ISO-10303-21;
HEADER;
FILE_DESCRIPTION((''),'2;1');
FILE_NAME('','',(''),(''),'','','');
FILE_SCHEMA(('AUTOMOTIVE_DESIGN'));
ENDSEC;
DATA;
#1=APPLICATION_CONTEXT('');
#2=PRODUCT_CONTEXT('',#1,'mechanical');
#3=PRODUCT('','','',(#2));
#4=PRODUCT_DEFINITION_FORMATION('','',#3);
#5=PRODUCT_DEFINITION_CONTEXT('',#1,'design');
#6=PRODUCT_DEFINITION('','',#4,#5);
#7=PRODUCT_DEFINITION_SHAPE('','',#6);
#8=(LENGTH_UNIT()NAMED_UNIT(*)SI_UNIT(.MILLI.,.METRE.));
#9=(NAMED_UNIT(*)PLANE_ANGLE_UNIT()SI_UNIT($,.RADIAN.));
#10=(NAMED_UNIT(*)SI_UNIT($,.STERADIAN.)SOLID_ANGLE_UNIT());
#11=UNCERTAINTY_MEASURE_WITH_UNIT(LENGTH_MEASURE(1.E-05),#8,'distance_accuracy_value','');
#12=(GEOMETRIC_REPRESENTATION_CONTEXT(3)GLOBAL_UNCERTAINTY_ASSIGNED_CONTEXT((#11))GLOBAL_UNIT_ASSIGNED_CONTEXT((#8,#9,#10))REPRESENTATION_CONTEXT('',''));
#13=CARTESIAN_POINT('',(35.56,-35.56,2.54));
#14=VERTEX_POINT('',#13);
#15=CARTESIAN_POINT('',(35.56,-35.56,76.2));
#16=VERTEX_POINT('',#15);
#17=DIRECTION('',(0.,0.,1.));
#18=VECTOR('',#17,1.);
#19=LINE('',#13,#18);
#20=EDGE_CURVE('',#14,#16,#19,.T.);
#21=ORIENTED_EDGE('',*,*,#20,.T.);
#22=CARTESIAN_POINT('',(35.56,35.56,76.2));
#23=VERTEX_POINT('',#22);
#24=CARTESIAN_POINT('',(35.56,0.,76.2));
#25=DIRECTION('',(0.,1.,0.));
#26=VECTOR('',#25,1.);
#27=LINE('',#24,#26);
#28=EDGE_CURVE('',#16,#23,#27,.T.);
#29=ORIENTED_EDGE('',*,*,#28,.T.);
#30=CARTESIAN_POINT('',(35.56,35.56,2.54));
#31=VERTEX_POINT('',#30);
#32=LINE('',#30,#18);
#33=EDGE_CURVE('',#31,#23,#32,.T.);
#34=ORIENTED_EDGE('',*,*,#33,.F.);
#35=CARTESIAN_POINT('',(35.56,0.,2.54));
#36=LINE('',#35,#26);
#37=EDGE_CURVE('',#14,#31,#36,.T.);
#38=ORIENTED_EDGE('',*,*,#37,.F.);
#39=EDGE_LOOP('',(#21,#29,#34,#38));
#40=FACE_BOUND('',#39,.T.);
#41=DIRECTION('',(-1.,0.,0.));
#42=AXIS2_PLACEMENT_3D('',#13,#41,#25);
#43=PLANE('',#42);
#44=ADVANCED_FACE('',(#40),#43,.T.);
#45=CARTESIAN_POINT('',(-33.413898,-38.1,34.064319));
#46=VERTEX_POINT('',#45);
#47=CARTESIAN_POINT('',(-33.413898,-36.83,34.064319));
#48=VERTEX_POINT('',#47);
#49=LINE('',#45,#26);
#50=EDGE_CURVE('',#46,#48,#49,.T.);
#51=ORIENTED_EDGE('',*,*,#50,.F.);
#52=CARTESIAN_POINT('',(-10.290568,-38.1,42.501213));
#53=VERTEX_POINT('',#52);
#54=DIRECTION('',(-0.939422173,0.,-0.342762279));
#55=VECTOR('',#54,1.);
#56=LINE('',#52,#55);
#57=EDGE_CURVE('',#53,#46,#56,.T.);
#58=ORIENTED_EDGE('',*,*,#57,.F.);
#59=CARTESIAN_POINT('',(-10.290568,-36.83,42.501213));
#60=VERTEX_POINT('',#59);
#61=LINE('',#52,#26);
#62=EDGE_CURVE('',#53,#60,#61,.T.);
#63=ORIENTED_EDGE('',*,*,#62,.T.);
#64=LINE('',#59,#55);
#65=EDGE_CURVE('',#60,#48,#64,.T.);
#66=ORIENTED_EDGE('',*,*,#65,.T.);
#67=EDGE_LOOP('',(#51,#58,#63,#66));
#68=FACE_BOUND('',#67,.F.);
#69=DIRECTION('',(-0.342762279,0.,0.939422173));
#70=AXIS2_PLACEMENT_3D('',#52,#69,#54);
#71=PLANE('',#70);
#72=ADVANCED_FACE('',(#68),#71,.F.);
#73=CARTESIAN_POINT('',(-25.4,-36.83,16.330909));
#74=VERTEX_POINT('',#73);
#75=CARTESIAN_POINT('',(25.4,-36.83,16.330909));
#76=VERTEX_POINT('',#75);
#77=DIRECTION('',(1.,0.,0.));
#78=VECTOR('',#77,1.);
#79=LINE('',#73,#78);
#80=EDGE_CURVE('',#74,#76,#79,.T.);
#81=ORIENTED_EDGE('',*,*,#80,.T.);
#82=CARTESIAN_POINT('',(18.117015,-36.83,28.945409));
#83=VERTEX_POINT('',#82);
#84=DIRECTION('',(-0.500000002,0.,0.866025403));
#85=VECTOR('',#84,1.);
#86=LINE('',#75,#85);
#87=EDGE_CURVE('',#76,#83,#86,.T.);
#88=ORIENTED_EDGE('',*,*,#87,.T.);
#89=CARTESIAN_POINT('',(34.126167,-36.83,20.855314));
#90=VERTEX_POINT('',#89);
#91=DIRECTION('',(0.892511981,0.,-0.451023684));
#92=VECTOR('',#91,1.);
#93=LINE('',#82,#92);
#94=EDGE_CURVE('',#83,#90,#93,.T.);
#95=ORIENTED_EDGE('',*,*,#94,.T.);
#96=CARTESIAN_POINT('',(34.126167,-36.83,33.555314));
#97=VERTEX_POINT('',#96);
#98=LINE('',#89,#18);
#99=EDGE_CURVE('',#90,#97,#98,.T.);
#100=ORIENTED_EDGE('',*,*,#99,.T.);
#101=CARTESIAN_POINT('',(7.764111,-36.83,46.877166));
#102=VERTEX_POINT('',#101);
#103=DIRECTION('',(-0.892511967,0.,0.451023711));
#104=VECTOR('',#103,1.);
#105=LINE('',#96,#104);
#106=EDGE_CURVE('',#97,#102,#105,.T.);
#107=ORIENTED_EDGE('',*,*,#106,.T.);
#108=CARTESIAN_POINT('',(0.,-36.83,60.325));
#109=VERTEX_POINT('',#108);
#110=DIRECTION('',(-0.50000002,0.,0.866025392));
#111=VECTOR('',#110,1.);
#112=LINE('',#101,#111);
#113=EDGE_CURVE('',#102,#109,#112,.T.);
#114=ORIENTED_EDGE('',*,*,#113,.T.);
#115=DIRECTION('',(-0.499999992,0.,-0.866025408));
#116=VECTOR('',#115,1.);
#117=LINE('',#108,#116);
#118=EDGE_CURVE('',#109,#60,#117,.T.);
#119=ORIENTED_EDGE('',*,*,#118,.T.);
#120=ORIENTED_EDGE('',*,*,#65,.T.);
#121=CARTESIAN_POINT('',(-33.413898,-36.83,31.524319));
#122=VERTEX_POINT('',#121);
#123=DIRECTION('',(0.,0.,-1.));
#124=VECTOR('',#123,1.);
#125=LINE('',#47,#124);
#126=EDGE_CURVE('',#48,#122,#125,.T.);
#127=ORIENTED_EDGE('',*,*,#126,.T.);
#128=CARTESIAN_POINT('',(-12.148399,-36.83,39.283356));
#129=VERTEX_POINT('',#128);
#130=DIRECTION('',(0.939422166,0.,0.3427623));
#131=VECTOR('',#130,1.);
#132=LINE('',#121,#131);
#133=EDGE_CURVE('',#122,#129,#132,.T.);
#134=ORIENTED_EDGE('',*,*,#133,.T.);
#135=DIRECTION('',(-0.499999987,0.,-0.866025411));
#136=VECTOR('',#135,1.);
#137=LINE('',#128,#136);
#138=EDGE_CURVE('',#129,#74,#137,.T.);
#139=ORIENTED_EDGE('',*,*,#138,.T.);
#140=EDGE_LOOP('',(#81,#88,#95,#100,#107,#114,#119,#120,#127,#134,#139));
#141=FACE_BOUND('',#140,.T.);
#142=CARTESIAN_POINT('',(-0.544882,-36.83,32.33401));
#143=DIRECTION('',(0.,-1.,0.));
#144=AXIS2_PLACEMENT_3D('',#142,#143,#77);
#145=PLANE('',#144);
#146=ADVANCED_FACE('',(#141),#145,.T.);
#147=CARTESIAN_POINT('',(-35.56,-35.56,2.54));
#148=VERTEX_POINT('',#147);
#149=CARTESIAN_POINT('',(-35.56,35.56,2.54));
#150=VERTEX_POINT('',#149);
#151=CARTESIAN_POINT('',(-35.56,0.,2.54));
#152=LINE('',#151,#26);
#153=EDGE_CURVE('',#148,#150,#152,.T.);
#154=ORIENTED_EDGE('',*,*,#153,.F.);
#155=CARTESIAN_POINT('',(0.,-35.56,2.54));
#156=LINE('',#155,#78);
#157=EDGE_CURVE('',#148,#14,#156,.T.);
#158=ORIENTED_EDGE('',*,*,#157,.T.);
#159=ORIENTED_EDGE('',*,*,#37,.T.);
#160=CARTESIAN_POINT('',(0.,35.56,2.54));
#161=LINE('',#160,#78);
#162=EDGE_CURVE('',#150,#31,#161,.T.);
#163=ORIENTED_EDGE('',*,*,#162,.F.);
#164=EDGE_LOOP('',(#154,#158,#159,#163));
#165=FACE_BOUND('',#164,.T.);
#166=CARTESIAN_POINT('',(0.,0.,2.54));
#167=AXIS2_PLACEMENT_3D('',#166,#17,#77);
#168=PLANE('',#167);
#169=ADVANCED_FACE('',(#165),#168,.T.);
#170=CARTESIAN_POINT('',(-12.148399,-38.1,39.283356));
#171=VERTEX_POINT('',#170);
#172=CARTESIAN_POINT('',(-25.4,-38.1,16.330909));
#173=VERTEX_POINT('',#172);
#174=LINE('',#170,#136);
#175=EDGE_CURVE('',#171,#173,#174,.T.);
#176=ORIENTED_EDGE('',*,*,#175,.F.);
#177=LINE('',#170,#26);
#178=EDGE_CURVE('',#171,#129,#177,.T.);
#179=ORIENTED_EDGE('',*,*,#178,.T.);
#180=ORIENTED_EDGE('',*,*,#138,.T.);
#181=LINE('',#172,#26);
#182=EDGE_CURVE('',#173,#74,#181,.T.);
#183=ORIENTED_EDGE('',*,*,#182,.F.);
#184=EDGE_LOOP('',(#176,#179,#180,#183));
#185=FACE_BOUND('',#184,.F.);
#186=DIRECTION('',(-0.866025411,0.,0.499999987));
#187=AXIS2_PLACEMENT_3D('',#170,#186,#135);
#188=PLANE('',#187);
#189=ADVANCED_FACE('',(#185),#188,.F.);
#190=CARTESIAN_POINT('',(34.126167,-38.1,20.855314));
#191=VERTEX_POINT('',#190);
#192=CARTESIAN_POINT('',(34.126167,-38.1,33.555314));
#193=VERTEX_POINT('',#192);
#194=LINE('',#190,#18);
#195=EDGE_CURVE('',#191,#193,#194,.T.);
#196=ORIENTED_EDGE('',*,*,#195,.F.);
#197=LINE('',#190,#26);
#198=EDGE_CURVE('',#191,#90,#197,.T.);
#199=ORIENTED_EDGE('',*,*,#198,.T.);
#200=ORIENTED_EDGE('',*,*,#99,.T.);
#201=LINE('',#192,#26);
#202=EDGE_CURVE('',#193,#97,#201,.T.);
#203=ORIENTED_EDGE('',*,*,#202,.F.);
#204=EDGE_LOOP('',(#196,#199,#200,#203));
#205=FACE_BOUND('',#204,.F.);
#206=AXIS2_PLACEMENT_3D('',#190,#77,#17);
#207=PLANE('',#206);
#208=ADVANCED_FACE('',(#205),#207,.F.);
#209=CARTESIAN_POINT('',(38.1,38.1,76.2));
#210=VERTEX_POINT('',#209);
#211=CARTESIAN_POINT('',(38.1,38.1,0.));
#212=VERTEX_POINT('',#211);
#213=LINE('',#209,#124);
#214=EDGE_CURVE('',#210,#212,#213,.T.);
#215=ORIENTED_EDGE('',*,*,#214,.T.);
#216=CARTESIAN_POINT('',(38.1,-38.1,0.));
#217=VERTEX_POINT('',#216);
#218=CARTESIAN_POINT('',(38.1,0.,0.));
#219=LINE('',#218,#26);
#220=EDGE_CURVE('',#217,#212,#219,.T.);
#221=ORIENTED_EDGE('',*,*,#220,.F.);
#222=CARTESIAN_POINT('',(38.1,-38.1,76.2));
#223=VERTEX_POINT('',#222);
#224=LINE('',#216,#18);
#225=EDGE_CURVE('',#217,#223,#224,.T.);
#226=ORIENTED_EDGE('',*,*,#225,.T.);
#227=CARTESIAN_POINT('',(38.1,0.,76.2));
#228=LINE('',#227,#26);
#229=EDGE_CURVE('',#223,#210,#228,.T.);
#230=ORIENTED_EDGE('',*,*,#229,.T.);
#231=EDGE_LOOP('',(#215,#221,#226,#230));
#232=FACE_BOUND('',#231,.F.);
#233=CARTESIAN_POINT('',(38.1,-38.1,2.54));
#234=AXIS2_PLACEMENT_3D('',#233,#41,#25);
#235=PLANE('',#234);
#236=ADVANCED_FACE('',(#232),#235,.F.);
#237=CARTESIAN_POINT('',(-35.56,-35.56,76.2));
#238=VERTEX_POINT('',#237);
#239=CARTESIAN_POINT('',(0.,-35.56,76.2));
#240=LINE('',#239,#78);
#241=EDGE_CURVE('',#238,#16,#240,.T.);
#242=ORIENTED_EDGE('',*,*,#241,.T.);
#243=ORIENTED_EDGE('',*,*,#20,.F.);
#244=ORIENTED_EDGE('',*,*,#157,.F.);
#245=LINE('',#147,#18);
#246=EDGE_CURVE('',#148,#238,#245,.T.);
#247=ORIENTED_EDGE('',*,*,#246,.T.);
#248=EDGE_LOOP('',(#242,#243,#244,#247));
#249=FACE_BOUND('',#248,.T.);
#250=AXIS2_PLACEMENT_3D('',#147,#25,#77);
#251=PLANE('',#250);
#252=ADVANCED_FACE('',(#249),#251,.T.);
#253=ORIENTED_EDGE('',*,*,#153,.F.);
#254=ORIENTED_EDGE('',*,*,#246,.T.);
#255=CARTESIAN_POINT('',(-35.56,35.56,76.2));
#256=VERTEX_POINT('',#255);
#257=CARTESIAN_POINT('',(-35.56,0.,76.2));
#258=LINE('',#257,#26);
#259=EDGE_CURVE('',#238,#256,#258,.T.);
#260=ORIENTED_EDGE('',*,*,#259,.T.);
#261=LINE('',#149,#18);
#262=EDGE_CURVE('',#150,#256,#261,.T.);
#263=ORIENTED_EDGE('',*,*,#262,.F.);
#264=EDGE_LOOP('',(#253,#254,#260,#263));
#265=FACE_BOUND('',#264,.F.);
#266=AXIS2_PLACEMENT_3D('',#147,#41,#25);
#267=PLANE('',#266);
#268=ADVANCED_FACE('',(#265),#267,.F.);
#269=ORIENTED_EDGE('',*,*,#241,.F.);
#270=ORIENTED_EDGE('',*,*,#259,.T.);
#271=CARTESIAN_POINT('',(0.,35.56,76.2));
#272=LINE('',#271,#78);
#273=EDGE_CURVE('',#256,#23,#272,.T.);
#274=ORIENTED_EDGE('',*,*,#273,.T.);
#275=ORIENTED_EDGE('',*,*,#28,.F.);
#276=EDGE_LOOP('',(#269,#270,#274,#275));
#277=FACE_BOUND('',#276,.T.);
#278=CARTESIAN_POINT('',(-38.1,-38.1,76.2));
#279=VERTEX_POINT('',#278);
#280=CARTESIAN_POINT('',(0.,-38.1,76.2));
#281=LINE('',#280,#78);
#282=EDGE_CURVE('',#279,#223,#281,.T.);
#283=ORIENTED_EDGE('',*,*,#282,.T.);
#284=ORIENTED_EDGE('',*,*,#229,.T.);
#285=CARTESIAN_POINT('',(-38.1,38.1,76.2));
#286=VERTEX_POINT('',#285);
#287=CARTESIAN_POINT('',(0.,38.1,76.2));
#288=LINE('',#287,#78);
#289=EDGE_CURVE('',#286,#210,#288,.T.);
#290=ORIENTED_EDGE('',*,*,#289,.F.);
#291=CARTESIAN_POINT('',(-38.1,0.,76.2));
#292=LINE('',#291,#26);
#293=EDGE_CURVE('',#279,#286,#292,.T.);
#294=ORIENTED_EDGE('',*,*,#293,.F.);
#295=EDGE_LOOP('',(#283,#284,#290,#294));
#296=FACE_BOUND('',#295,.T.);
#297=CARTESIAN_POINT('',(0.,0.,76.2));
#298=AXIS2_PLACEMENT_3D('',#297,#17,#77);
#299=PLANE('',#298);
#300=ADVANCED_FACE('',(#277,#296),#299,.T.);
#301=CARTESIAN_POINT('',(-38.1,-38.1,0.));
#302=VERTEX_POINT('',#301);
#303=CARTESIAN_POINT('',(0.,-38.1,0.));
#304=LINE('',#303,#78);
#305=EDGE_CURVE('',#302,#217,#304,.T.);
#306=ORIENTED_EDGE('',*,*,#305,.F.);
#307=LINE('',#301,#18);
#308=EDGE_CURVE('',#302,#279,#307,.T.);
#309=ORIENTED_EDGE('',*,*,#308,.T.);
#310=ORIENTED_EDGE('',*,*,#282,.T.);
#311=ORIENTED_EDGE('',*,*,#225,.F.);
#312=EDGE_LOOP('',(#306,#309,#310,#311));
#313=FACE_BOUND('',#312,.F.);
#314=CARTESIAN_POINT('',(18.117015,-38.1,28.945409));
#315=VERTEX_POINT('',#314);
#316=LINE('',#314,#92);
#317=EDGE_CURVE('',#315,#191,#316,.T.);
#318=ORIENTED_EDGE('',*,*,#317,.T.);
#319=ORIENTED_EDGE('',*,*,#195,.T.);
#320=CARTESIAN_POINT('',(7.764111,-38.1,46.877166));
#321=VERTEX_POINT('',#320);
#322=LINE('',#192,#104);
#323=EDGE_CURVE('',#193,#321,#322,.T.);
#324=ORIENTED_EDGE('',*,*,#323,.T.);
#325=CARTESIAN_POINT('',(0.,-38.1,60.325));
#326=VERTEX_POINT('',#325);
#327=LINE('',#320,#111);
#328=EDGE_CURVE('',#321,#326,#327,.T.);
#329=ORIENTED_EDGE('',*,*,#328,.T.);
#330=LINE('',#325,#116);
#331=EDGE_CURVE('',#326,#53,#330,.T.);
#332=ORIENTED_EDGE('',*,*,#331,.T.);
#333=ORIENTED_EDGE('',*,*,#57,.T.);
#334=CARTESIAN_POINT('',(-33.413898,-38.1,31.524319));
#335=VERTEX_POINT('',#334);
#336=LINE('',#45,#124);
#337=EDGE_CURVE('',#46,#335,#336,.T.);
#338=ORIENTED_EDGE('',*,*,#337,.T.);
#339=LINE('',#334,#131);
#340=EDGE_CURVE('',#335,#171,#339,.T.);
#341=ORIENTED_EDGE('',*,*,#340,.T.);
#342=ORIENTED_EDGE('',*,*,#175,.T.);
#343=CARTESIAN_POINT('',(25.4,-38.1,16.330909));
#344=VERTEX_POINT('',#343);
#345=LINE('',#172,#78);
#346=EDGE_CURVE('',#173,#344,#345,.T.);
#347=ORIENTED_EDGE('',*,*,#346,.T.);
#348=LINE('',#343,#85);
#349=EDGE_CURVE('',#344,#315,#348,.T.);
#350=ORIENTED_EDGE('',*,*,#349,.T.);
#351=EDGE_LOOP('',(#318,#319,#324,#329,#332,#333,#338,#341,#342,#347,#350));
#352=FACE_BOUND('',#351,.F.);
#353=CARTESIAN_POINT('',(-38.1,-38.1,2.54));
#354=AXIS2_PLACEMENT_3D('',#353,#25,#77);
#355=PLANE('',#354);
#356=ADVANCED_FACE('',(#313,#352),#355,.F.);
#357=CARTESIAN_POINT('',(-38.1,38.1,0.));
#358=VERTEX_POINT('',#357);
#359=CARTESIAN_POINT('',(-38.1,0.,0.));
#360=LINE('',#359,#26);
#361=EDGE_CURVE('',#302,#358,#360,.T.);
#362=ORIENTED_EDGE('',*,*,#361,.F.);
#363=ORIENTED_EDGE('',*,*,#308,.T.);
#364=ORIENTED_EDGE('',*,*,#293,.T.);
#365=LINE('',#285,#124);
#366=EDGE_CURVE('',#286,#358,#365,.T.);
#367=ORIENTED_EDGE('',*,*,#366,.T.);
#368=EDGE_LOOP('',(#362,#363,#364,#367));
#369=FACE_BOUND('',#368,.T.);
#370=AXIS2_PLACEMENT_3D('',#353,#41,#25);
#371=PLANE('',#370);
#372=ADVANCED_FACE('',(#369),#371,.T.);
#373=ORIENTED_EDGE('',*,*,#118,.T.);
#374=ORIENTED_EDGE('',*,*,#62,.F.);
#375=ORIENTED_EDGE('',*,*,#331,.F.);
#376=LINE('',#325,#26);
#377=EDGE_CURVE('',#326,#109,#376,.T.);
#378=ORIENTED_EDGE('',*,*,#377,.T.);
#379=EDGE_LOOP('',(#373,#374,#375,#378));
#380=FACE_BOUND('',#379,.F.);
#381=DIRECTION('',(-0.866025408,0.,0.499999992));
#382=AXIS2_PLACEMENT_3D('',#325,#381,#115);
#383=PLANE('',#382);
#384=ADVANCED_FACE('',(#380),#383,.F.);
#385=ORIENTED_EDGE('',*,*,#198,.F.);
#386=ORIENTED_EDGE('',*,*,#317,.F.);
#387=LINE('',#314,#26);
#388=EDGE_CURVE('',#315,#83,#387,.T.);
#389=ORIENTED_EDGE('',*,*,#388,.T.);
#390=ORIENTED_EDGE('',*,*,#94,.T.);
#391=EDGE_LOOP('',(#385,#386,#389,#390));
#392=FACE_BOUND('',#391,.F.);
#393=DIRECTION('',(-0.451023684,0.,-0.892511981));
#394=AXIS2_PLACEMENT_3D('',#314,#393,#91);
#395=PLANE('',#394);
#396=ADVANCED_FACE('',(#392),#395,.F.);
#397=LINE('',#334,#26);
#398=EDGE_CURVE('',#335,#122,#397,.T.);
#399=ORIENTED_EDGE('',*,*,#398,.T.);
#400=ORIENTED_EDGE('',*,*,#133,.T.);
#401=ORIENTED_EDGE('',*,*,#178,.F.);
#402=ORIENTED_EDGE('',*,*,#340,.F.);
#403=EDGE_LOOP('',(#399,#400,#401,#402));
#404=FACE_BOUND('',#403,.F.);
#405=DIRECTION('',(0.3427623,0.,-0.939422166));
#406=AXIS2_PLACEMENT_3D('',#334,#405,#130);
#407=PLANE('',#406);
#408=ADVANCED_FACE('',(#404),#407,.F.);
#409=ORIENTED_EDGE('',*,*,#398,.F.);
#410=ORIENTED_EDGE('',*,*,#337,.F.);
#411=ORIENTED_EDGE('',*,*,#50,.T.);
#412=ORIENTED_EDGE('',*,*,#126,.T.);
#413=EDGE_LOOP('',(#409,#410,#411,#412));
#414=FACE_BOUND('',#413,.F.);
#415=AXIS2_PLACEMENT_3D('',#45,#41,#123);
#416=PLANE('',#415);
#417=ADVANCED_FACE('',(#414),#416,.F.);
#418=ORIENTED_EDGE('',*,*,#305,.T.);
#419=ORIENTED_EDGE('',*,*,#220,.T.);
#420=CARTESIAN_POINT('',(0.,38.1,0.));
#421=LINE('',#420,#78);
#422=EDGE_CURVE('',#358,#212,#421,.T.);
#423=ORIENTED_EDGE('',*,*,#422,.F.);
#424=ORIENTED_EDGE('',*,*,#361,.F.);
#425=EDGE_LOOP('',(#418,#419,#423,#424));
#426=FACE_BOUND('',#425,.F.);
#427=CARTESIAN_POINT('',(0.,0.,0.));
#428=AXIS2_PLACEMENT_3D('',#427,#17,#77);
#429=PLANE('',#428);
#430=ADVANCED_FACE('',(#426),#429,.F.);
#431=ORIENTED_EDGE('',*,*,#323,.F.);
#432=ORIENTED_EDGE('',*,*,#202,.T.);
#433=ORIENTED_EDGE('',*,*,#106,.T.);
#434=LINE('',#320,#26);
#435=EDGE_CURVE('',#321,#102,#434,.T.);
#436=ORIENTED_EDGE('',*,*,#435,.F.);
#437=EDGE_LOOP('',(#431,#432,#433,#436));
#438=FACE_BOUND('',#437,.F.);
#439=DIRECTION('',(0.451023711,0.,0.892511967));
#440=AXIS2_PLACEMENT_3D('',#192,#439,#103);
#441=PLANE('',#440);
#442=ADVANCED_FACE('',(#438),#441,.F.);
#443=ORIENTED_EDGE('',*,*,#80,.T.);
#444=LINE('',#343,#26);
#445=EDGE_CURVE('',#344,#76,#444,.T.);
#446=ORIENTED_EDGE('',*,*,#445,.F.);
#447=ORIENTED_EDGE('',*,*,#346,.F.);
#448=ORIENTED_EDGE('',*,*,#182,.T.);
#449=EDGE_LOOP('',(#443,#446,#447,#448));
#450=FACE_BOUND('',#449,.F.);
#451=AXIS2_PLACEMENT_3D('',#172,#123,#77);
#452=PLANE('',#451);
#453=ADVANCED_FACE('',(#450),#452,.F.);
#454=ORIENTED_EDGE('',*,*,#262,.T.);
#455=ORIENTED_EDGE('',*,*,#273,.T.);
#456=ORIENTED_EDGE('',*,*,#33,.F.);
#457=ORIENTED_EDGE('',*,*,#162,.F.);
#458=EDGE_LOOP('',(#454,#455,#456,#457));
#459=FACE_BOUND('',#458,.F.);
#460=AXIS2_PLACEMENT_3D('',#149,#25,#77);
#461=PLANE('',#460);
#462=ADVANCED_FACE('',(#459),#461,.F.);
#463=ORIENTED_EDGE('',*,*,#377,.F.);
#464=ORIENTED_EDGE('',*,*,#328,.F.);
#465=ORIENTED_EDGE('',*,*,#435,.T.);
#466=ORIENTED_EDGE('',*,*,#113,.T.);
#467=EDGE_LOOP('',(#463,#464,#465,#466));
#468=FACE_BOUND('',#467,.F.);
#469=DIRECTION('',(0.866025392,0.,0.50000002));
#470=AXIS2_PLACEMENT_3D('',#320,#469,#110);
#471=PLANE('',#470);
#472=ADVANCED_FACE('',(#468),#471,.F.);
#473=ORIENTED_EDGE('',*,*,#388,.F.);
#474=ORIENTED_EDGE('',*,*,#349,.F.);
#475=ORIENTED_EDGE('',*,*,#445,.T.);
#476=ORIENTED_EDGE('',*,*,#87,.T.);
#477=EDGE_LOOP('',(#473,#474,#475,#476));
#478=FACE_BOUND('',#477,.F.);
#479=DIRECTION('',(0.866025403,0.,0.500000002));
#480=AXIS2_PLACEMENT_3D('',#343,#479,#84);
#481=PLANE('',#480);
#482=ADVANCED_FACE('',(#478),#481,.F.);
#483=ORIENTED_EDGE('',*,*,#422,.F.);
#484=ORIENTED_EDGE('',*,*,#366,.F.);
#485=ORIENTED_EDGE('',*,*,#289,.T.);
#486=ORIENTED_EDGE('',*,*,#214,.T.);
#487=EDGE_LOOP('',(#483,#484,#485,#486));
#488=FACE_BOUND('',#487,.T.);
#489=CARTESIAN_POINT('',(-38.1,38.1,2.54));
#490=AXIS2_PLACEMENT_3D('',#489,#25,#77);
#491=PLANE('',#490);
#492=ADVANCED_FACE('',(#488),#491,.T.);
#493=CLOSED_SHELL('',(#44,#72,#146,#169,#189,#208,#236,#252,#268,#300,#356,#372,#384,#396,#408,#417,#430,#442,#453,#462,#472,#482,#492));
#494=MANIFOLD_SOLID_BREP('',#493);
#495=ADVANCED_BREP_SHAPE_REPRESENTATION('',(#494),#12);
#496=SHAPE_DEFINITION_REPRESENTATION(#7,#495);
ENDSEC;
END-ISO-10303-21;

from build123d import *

# Parameters (mm, degrees)
F0_W     = 76.2
F0_H     = 76.2
F1_DEPTH = 2.54
F2_W     = 76.2
F2_H     = 76.2
F2_W_2   = 71.12
F2_H_2   = 71.12
F3_DEPTH = 73.66
F5_DEPTH = 1.27


with BuildPart() as f1:
    # F0 (on Top) → F1 (new body)
    with BuildSketch(Plane.XY):
        Rectangle(F0_W, F0_H)
    extrude(amount=F1_DEPTH)

    # F2 (on face) → F3 (join)
    with BuildSketch(Plane.XY.offset(2.54)):
        Rectangle(F2_W, F2_H)
        Rectangle(F2_W_2, F2_H_2, mode=Mode.SUBTRACT)
    extrude(amount=F3_DEPTH)

    # F4 (on face) → F5 (cut)
    with BuildSketch(Plane.XZ.offset(38.1)):
        Polygon((-12.148399, 39.283356), (-25.4, 16.330909), (25.4, 16.330909), (18.117015, 28.945409), (3.810367, 36.175158), (3.810367, 48.875158), (7.764111, 46.877166), (0, 60.325), (-10.290568, 42.501213), (-5.152611, 44.375874), (-5.152611, 41.835874), align=None)
        Polygon((-33.413898, 31.524319), (-12.148399, 39.283356), (-10.290568, 42.501213), (-33.413898, 34.064319), align=None)
        Polygon((-10.290568, 42.501213), (-12.148399, 39.283356), (-5.152611, 41.835874), (-5.152611, 44.375874), align=None)
        Polygon((3.810367, 36.175158), (18.117015, 28.945409), (7.764111, 46.877166), (3.810367, 48.875158), align=None)
        Polygon((7.764111, 46.877166), (18.117015, 28.945409), (34.126167, 20.855314), (34.126167, 33.555314), align=None)
    extrude(amount=-F5_DEPTH, mode=Mode.SUBTRACT)


solid = f1.part
